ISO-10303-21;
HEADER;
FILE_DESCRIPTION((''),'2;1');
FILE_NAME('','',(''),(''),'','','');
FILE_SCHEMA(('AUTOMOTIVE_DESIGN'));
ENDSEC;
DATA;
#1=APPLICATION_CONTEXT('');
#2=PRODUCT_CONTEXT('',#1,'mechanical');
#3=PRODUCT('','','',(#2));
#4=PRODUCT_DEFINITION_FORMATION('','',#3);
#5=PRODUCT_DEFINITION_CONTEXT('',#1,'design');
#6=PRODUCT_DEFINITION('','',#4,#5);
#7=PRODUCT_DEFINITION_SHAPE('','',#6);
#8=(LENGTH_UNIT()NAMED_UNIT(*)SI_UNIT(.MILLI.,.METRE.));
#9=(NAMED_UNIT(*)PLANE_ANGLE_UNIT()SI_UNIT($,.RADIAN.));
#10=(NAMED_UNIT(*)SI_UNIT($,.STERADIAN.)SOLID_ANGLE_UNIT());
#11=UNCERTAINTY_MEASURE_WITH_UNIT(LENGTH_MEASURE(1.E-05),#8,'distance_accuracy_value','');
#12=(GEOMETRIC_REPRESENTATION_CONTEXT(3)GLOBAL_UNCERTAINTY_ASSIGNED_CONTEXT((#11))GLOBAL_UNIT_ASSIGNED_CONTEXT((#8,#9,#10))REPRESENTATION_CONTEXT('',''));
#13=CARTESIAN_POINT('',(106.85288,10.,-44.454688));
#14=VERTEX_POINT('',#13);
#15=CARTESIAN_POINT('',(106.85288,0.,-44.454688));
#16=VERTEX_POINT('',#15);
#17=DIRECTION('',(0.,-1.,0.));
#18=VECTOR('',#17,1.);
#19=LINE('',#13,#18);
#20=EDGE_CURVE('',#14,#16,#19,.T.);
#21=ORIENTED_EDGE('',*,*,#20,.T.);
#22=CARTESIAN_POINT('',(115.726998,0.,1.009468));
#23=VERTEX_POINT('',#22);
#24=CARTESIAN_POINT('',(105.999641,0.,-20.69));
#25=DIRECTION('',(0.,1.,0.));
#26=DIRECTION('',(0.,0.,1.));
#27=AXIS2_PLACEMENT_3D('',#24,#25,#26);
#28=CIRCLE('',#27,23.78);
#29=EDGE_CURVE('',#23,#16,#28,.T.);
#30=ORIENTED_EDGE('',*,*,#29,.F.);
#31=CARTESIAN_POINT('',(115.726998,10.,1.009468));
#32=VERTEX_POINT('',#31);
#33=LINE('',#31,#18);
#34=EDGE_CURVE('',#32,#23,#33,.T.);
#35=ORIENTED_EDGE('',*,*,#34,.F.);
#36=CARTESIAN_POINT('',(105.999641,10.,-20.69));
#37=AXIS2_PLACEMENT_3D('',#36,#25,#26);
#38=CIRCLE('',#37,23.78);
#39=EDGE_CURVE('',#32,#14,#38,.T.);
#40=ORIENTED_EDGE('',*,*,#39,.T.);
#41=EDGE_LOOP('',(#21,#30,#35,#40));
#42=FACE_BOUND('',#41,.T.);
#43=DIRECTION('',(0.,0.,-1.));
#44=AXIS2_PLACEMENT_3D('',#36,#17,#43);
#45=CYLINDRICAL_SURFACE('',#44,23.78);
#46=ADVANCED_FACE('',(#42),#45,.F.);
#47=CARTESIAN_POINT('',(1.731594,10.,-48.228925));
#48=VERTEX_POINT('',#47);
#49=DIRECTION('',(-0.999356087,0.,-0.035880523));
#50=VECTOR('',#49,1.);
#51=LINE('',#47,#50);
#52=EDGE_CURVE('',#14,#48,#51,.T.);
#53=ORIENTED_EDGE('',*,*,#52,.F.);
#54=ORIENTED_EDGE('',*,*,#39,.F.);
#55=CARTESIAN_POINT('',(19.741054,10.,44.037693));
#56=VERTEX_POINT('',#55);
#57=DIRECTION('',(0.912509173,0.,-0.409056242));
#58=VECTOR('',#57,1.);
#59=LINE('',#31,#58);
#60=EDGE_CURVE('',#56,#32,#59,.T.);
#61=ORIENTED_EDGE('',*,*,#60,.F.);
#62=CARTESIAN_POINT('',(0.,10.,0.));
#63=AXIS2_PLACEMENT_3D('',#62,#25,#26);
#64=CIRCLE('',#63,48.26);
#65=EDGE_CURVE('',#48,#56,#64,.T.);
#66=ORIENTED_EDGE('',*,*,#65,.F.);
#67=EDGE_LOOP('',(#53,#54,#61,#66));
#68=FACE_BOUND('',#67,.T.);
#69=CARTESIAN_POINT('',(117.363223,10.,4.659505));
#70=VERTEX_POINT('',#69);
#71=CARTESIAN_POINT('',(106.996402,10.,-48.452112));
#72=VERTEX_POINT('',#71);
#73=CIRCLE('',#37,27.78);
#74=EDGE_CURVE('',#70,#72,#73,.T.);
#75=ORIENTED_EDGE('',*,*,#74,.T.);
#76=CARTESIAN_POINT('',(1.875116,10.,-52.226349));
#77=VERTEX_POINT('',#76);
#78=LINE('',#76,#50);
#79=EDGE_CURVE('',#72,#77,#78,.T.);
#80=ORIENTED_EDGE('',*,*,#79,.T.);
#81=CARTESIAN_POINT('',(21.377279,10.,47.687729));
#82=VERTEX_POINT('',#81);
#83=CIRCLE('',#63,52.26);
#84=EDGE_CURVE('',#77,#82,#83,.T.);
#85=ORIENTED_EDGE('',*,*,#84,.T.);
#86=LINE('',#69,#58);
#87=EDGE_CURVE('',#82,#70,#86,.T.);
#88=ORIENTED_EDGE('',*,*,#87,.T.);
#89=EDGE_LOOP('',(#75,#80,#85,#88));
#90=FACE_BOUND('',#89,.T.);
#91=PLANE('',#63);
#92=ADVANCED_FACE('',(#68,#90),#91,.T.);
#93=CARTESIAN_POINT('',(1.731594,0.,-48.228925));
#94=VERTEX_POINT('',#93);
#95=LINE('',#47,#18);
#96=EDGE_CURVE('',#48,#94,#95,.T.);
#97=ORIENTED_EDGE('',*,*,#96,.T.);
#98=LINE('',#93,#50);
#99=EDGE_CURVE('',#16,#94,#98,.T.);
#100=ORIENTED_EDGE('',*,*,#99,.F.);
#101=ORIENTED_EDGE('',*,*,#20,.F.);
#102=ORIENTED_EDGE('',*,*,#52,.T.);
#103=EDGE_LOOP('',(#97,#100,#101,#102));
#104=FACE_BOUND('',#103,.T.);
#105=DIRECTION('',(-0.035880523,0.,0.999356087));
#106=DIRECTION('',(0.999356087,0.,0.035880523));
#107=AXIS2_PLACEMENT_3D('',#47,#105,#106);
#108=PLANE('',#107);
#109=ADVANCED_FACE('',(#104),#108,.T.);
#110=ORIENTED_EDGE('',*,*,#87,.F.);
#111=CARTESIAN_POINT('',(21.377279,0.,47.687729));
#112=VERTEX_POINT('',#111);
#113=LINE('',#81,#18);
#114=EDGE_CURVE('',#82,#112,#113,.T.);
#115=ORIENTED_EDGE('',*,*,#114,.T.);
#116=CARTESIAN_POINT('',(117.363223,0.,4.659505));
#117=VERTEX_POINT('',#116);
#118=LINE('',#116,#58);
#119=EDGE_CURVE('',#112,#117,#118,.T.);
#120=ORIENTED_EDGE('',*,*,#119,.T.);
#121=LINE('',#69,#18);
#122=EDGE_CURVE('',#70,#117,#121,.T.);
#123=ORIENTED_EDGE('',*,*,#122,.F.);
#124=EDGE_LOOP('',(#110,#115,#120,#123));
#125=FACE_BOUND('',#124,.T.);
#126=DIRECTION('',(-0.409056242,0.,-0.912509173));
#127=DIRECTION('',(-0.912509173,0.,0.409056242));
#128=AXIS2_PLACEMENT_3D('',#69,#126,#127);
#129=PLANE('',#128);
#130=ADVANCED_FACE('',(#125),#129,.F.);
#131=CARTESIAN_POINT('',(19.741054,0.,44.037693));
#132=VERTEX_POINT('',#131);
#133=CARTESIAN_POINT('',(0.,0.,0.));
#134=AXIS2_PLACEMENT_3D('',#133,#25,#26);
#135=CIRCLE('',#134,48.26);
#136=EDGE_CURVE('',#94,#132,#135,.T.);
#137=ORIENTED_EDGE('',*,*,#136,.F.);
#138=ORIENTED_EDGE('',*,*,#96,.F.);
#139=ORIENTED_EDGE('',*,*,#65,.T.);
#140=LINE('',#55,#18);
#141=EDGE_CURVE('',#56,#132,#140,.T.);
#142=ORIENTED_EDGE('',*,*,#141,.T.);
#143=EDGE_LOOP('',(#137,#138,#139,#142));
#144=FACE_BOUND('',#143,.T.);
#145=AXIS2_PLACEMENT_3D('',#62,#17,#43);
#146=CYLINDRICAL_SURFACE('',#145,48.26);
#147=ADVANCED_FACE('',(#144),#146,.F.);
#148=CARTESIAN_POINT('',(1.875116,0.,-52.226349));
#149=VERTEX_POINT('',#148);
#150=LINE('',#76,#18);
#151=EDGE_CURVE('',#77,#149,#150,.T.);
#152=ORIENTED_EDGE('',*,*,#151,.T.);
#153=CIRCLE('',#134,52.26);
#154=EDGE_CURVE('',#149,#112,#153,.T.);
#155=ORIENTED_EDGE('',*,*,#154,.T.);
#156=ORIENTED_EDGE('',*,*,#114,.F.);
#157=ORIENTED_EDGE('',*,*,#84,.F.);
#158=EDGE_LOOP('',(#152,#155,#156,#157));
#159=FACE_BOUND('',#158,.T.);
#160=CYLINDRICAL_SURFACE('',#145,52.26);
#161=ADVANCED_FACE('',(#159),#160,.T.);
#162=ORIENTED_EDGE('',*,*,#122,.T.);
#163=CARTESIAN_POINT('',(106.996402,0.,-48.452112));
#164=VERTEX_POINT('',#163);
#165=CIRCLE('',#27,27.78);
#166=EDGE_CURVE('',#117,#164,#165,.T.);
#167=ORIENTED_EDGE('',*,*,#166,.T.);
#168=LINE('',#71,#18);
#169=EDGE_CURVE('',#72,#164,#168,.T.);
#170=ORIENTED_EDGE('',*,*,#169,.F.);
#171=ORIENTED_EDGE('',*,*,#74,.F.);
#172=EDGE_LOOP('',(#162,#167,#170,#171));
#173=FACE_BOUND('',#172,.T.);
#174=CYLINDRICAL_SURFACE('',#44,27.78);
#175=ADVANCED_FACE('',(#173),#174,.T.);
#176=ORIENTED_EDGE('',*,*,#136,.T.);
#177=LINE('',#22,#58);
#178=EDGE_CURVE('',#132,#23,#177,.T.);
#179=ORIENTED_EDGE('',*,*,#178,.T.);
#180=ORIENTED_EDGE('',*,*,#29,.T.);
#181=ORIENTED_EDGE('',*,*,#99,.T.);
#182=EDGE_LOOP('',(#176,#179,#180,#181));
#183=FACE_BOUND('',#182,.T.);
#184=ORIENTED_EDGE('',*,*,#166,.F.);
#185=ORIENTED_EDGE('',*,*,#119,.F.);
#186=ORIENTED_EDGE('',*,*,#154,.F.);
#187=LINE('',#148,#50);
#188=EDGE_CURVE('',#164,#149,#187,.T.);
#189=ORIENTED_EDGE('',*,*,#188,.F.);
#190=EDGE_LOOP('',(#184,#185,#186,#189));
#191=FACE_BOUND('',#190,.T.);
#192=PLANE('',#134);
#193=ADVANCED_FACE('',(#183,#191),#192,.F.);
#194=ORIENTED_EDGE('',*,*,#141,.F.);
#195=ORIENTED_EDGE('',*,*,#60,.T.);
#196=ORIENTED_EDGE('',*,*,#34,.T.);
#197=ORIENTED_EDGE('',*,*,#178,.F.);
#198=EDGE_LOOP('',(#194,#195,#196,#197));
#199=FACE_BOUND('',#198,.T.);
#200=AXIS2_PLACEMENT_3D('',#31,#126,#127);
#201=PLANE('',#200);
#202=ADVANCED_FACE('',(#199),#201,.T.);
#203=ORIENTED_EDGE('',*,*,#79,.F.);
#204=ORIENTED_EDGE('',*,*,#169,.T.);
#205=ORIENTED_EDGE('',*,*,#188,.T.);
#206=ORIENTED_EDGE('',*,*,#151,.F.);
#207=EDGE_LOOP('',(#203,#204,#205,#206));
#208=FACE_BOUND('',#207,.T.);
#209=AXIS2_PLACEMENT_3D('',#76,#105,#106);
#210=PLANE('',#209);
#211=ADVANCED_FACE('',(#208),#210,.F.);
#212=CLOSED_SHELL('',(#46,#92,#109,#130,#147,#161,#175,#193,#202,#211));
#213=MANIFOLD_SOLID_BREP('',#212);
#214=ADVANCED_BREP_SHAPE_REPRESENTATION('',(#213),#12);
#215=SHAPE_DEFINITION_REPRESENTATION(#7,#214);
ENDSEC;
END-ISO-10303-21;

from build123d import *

# Parameters (mm, degrees)
BOSS_EXTRUDE1_DEPTH = 10


with BuildPart() as part:
    # Sketch1 → Boss-Extrude1 (new body)
    with BuildSketch(Plane(origin=(0, 0, 0), x_dir=(1, 0, 0), z_dir=(0, 1, 0))):
        with BuildLine():
            Line((1.875116136, 52.226349092), (106.996401968, 48.452112089))
            ThreePointArc((106.996401968, 48.452112089), (133.265104259, 26.011927778), (117.363223434, -4.65950483))
            Line((117.363223434, -4.65950483), (21.377279195, -47.687729388))
            ThreePointArc((21.377279195, -47.687729388), (-51.292048524, -10.011661111), (1.875116136, 52.226349092))
        make_face()
        with BuildLine():
            Line((1.731594043, 48.228924745), (106.852879876, 44.454687742))
            ThreePointArc((106.852879876, 44.454687742), (129.339191628, 25.245631481), (115.726998467, -1.009468137))
            Line((115.726998467, -1.009468137), (19.741054228, -44.037692696))
            ThreePointArc((19.741054228, -44.037692696), (-47.366135893, -9.245364815), (1.731594043, 48.228924745))
        make_face(mode=Mode.SUBTRACT)
    extrude(amount=BOSS_EXTRUDE1_DEPTH)


solid = part.part
